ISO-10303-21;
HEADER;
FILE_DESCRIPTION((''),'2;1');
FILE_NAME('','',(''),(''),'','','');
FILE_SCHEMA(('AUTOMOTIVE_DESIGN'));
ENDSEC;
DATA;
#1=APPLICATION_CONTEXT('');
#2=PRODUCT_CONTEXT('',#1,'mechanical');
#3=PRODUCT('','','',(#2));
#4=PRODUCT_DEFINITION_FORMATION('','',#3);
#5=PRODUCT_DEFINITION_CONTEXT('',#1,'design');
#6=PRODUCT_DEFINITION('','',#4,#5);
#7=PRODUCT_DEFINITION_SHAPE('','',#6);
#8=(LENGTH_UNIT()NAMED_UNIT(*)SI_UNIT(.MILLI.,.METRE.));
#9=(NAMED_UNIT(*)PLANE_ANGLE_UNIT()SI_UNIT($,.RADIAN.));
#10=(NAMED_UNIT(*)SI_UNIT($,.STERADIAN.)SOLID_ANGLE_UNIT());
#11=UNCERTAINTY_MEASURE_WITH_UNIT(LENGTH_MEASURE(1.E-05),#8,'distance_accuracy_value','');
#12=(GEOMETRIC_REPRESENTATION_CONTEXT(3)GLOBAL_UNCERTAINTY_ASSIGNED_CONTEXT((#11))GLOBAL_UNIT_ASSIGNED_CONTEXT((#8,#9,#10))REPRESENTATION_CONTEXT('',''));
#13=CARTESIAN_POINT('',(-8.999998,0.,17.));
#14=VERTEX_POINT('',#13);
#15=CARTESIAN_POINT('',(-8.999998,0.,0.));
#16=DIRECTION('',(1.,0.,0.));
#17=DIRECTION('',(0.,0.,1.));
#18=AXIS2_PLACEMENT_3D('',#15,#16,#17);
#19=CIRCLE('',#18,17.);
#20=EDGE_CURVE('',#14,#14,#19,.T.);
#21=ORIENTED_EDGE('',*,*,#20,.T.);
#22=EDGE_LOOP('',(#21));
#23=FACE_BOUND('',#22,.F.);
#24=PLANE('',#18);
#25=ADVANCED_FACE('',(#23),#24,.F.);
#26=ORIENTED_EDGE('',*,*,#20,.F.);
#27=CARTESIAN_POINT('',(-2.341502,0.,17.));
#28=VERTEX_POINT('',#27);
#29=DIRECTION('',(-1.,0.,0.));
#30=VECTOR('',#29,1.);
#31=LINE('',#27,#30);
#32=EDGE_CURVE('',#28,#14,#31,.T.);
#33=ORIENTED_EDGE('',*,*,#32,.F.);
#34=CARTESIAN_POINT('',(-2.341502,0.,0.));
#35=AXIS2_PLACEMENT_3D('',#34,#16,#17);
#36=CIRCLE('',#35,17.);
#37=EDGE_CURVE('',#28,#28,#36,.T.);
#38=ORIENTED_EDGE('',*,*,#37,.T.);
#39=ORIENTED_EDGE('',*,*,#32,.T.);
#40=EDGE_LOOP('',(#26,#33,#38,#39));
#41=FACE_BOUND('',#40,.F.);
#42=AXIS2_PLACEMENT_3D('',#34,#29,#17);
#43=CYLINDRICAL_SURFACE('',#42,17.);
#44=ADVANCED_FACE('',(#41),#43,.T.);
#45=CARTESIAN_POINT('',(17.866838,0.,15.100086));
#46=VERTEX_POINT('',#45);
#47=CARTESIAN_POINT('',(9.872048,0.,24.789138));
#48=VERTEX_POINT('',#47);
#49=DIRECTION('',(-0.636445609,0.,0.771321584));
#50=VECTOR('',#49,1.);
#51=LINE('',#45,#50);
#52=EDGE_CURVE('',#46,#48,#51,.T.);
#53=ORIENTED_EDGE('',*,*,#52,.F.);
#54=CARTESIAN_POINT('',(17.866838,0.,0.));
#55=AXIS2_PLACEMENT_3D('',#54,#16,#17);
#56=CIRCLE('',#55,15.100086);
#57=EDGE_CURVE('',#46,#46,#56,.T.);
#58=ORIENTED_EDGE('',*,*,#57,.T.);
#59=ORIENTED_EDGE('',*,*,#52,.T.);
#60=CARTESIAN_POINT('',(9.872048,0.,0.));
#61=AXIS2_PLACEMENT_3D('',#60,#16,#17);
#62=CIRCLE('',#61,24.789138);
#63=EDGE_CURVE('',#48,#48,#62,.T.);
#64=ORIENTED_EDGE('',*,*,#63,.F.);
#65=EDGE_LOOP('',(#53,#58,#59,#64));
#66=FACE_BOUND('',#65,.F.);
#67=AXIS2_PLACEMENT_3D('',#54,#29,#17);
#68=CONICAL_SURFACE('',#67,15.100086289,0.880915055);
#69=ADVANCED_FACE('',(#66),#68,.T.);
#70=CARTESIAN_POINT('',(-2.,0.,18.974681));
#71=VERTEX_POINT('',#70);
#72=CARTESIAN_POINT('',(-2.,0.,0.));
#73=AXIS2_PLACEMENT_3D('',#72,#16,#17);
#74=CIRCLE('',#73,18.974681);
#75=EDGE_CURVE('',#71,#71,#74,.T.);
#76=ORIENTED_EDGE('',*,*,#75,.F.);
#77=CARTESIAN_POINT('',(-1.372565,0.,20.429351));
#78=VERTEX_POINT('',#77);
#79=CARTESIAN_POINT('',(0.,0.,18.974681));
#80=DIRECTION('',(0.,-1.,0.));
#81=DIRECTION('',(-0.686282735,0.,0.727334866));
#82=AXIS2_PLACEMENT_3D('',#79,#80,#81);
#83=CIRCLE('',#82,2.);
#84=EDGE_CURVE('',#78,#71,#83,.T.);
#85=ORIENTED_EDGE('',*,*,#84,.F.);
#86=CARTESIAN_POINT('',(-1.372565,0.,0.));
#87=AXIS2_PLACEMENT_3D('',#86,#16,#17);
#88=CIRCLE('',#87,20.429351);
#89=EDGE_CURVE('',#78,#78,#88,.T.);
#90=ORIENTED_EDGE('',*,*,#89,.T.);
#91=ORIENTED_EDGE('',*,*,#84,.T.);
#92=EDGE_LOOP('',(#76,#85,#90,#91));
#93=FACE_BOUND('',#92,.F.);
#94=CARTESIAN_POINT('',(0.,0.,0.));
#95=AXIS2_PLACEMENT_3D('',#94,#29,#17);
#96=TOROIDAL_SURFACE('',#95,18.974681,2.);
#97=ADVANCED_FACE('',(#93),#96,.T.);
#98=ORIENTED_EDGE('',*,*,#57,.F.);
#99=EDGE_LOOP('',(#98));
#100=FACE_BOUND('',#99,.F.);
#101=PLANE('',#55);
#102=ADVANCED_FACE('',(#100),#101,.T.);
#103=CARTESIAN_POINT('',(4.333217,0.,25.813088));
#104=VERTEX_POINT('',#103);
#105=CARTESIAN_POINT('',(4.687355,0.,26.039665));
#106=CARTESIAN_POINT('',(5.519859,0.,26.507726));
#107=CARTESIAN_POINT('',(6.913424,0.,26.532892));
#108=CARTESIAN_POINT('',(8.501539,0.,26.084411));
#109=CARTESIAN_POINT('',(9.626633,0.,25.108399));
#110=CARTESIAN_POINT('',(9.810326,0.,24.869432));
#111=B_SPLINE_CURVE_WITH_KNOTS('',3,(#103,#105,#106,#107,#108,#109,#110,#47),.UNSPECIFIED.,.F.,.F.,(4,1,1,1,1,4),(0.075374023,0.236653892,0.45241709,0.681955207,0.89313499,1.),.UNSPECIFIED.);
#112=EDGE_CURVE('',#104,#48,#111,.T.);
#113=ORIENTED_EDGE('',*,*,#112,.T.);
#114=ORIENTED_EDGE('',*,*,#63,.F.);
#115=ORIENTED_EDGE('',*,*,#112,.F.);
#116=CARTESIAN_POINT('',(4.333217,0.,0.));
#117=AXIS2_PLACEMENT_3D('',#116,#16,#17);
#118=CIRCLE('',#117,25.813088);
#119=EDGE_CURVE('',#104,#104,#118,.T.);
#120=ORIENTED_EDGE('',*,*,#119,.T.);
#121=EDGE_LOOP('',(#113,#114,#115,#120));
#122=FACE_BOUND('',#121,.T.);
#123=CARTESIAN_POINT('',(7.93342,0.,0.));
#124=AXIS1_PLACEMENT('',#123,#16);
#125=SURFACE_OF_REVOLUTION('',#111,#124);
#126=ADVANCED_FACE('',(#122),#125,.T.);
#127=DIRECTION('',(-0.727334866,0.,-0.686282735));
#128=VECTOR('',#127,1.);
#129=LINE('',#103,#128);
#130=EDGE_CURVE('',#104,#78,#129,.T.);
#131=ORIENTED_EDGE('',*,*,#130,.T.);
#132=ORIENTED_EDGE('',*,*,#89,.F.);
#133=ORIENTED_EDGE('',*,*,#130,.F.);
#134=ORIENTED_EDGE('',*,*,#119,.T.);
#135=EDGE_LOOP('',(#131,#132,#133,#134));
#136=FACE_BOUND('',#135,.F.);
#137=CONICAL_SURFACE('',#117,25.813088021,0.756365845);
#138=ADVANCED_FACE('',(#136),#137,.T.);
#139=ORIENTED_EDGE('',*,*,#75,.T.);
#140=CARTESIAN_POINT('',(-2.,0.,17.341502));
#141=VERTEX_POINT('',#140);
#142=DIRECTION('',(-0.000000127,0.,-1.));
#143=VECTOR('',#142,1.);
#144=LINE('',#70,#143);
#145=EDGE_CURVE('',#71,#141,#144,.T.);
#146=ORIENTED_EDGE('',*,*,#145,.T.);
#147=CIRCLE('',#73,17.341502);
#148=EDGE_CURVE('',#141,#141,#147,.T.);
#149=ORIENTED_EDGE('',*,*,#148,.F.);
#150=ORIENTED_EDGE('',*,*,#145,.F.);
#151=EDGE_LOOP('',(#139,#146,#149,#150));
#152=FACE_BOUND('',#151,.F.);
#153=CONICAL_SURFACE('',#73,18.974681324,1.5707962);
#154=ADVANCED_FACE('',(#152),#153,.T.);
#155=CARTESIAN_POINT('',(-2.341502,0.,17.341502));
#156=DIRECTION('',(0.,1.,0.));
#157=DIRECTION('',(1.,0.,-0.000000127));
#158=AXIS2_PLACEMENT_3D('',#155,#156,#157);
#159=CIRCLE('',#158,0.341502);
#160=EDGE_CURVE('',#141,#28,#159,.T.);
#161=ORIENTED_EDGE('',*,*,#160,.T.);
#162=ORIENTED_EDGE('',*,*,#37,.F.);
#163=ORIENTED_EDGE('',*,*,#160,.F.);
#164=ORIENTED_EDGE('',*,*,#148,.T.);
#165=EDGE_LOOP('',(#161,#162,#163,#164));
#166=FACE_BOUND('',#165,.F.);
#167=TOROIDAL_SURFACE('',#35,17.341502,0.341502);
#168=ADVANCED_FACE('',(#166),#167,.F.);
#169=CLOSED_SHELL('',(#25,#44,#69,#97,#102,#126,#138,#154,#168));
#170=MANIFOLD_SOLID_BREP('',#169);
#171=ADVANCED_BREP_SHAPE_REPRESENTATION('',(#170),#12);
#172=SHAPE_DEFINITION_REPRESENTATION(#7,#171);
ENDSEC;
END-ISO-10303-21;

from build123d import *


with BuildPart() as f1:
    # F0 (on Front) → F1 (revolve)
    with BuildSketch(Plane.XZ):
        with BuildLine():
            Line((17.8668383956, 15.100086289), (9.8720481619, 24.7891377658))
            add(Edge.make_bspline(
                [(4.3332174568, 25.8130880211), (4.6873554034, 26.0396653478), (5.5198593385, 26.5077257402), (6.9134243002, 26.5328921513), (8.5015393576, 26.0844114305), (9.6266326972, 25.1083988869), (9.8103260602, 24.8694320839), (9.8720481619, 24.7891377658)],
                knots=[0.0753740232, 0.0753740232, 0.0753740232, 0.0753740232, 0.236653892, 0.4524170896, 0.6819552068, 0.89313499, 1, 1, 1, 1], degree=3))
            Line((4.3332174568, 25.8130880211), (-1.3725649834, 20.4293505417))
            ThreePointArc((-1.3725649834, 20.4293505417), (-1.8364540039, 19.7667886958), (-1.9999995132, 18.9746813235))
            Line((-1.9999995132, 18.9746813235), (-1.9999997204, 17.3415018813))
            ThreePointArc((-1.9999997204, 17.3415018813), (-2.1000233337, 17.1000235826), (-2.3415016451, 17))
            Line((-2.3415016451, 17), (-8.9999977499, 17))
            Line((-8.9999977499, 17), (-8.9999977499, 0))
            Line((-8.9999977499, 0), (-1.9999977499, 0))
            Line((-1.9999977499, 0), (17.8668383956, 0))
            Line((17.8668383956, 0), (17.8668383956, 15.100086289))
        make_face()
    revolve(axis=Axis((7.9334203228, 0, 0), (1, 0, 0)))


solid = f1.part
